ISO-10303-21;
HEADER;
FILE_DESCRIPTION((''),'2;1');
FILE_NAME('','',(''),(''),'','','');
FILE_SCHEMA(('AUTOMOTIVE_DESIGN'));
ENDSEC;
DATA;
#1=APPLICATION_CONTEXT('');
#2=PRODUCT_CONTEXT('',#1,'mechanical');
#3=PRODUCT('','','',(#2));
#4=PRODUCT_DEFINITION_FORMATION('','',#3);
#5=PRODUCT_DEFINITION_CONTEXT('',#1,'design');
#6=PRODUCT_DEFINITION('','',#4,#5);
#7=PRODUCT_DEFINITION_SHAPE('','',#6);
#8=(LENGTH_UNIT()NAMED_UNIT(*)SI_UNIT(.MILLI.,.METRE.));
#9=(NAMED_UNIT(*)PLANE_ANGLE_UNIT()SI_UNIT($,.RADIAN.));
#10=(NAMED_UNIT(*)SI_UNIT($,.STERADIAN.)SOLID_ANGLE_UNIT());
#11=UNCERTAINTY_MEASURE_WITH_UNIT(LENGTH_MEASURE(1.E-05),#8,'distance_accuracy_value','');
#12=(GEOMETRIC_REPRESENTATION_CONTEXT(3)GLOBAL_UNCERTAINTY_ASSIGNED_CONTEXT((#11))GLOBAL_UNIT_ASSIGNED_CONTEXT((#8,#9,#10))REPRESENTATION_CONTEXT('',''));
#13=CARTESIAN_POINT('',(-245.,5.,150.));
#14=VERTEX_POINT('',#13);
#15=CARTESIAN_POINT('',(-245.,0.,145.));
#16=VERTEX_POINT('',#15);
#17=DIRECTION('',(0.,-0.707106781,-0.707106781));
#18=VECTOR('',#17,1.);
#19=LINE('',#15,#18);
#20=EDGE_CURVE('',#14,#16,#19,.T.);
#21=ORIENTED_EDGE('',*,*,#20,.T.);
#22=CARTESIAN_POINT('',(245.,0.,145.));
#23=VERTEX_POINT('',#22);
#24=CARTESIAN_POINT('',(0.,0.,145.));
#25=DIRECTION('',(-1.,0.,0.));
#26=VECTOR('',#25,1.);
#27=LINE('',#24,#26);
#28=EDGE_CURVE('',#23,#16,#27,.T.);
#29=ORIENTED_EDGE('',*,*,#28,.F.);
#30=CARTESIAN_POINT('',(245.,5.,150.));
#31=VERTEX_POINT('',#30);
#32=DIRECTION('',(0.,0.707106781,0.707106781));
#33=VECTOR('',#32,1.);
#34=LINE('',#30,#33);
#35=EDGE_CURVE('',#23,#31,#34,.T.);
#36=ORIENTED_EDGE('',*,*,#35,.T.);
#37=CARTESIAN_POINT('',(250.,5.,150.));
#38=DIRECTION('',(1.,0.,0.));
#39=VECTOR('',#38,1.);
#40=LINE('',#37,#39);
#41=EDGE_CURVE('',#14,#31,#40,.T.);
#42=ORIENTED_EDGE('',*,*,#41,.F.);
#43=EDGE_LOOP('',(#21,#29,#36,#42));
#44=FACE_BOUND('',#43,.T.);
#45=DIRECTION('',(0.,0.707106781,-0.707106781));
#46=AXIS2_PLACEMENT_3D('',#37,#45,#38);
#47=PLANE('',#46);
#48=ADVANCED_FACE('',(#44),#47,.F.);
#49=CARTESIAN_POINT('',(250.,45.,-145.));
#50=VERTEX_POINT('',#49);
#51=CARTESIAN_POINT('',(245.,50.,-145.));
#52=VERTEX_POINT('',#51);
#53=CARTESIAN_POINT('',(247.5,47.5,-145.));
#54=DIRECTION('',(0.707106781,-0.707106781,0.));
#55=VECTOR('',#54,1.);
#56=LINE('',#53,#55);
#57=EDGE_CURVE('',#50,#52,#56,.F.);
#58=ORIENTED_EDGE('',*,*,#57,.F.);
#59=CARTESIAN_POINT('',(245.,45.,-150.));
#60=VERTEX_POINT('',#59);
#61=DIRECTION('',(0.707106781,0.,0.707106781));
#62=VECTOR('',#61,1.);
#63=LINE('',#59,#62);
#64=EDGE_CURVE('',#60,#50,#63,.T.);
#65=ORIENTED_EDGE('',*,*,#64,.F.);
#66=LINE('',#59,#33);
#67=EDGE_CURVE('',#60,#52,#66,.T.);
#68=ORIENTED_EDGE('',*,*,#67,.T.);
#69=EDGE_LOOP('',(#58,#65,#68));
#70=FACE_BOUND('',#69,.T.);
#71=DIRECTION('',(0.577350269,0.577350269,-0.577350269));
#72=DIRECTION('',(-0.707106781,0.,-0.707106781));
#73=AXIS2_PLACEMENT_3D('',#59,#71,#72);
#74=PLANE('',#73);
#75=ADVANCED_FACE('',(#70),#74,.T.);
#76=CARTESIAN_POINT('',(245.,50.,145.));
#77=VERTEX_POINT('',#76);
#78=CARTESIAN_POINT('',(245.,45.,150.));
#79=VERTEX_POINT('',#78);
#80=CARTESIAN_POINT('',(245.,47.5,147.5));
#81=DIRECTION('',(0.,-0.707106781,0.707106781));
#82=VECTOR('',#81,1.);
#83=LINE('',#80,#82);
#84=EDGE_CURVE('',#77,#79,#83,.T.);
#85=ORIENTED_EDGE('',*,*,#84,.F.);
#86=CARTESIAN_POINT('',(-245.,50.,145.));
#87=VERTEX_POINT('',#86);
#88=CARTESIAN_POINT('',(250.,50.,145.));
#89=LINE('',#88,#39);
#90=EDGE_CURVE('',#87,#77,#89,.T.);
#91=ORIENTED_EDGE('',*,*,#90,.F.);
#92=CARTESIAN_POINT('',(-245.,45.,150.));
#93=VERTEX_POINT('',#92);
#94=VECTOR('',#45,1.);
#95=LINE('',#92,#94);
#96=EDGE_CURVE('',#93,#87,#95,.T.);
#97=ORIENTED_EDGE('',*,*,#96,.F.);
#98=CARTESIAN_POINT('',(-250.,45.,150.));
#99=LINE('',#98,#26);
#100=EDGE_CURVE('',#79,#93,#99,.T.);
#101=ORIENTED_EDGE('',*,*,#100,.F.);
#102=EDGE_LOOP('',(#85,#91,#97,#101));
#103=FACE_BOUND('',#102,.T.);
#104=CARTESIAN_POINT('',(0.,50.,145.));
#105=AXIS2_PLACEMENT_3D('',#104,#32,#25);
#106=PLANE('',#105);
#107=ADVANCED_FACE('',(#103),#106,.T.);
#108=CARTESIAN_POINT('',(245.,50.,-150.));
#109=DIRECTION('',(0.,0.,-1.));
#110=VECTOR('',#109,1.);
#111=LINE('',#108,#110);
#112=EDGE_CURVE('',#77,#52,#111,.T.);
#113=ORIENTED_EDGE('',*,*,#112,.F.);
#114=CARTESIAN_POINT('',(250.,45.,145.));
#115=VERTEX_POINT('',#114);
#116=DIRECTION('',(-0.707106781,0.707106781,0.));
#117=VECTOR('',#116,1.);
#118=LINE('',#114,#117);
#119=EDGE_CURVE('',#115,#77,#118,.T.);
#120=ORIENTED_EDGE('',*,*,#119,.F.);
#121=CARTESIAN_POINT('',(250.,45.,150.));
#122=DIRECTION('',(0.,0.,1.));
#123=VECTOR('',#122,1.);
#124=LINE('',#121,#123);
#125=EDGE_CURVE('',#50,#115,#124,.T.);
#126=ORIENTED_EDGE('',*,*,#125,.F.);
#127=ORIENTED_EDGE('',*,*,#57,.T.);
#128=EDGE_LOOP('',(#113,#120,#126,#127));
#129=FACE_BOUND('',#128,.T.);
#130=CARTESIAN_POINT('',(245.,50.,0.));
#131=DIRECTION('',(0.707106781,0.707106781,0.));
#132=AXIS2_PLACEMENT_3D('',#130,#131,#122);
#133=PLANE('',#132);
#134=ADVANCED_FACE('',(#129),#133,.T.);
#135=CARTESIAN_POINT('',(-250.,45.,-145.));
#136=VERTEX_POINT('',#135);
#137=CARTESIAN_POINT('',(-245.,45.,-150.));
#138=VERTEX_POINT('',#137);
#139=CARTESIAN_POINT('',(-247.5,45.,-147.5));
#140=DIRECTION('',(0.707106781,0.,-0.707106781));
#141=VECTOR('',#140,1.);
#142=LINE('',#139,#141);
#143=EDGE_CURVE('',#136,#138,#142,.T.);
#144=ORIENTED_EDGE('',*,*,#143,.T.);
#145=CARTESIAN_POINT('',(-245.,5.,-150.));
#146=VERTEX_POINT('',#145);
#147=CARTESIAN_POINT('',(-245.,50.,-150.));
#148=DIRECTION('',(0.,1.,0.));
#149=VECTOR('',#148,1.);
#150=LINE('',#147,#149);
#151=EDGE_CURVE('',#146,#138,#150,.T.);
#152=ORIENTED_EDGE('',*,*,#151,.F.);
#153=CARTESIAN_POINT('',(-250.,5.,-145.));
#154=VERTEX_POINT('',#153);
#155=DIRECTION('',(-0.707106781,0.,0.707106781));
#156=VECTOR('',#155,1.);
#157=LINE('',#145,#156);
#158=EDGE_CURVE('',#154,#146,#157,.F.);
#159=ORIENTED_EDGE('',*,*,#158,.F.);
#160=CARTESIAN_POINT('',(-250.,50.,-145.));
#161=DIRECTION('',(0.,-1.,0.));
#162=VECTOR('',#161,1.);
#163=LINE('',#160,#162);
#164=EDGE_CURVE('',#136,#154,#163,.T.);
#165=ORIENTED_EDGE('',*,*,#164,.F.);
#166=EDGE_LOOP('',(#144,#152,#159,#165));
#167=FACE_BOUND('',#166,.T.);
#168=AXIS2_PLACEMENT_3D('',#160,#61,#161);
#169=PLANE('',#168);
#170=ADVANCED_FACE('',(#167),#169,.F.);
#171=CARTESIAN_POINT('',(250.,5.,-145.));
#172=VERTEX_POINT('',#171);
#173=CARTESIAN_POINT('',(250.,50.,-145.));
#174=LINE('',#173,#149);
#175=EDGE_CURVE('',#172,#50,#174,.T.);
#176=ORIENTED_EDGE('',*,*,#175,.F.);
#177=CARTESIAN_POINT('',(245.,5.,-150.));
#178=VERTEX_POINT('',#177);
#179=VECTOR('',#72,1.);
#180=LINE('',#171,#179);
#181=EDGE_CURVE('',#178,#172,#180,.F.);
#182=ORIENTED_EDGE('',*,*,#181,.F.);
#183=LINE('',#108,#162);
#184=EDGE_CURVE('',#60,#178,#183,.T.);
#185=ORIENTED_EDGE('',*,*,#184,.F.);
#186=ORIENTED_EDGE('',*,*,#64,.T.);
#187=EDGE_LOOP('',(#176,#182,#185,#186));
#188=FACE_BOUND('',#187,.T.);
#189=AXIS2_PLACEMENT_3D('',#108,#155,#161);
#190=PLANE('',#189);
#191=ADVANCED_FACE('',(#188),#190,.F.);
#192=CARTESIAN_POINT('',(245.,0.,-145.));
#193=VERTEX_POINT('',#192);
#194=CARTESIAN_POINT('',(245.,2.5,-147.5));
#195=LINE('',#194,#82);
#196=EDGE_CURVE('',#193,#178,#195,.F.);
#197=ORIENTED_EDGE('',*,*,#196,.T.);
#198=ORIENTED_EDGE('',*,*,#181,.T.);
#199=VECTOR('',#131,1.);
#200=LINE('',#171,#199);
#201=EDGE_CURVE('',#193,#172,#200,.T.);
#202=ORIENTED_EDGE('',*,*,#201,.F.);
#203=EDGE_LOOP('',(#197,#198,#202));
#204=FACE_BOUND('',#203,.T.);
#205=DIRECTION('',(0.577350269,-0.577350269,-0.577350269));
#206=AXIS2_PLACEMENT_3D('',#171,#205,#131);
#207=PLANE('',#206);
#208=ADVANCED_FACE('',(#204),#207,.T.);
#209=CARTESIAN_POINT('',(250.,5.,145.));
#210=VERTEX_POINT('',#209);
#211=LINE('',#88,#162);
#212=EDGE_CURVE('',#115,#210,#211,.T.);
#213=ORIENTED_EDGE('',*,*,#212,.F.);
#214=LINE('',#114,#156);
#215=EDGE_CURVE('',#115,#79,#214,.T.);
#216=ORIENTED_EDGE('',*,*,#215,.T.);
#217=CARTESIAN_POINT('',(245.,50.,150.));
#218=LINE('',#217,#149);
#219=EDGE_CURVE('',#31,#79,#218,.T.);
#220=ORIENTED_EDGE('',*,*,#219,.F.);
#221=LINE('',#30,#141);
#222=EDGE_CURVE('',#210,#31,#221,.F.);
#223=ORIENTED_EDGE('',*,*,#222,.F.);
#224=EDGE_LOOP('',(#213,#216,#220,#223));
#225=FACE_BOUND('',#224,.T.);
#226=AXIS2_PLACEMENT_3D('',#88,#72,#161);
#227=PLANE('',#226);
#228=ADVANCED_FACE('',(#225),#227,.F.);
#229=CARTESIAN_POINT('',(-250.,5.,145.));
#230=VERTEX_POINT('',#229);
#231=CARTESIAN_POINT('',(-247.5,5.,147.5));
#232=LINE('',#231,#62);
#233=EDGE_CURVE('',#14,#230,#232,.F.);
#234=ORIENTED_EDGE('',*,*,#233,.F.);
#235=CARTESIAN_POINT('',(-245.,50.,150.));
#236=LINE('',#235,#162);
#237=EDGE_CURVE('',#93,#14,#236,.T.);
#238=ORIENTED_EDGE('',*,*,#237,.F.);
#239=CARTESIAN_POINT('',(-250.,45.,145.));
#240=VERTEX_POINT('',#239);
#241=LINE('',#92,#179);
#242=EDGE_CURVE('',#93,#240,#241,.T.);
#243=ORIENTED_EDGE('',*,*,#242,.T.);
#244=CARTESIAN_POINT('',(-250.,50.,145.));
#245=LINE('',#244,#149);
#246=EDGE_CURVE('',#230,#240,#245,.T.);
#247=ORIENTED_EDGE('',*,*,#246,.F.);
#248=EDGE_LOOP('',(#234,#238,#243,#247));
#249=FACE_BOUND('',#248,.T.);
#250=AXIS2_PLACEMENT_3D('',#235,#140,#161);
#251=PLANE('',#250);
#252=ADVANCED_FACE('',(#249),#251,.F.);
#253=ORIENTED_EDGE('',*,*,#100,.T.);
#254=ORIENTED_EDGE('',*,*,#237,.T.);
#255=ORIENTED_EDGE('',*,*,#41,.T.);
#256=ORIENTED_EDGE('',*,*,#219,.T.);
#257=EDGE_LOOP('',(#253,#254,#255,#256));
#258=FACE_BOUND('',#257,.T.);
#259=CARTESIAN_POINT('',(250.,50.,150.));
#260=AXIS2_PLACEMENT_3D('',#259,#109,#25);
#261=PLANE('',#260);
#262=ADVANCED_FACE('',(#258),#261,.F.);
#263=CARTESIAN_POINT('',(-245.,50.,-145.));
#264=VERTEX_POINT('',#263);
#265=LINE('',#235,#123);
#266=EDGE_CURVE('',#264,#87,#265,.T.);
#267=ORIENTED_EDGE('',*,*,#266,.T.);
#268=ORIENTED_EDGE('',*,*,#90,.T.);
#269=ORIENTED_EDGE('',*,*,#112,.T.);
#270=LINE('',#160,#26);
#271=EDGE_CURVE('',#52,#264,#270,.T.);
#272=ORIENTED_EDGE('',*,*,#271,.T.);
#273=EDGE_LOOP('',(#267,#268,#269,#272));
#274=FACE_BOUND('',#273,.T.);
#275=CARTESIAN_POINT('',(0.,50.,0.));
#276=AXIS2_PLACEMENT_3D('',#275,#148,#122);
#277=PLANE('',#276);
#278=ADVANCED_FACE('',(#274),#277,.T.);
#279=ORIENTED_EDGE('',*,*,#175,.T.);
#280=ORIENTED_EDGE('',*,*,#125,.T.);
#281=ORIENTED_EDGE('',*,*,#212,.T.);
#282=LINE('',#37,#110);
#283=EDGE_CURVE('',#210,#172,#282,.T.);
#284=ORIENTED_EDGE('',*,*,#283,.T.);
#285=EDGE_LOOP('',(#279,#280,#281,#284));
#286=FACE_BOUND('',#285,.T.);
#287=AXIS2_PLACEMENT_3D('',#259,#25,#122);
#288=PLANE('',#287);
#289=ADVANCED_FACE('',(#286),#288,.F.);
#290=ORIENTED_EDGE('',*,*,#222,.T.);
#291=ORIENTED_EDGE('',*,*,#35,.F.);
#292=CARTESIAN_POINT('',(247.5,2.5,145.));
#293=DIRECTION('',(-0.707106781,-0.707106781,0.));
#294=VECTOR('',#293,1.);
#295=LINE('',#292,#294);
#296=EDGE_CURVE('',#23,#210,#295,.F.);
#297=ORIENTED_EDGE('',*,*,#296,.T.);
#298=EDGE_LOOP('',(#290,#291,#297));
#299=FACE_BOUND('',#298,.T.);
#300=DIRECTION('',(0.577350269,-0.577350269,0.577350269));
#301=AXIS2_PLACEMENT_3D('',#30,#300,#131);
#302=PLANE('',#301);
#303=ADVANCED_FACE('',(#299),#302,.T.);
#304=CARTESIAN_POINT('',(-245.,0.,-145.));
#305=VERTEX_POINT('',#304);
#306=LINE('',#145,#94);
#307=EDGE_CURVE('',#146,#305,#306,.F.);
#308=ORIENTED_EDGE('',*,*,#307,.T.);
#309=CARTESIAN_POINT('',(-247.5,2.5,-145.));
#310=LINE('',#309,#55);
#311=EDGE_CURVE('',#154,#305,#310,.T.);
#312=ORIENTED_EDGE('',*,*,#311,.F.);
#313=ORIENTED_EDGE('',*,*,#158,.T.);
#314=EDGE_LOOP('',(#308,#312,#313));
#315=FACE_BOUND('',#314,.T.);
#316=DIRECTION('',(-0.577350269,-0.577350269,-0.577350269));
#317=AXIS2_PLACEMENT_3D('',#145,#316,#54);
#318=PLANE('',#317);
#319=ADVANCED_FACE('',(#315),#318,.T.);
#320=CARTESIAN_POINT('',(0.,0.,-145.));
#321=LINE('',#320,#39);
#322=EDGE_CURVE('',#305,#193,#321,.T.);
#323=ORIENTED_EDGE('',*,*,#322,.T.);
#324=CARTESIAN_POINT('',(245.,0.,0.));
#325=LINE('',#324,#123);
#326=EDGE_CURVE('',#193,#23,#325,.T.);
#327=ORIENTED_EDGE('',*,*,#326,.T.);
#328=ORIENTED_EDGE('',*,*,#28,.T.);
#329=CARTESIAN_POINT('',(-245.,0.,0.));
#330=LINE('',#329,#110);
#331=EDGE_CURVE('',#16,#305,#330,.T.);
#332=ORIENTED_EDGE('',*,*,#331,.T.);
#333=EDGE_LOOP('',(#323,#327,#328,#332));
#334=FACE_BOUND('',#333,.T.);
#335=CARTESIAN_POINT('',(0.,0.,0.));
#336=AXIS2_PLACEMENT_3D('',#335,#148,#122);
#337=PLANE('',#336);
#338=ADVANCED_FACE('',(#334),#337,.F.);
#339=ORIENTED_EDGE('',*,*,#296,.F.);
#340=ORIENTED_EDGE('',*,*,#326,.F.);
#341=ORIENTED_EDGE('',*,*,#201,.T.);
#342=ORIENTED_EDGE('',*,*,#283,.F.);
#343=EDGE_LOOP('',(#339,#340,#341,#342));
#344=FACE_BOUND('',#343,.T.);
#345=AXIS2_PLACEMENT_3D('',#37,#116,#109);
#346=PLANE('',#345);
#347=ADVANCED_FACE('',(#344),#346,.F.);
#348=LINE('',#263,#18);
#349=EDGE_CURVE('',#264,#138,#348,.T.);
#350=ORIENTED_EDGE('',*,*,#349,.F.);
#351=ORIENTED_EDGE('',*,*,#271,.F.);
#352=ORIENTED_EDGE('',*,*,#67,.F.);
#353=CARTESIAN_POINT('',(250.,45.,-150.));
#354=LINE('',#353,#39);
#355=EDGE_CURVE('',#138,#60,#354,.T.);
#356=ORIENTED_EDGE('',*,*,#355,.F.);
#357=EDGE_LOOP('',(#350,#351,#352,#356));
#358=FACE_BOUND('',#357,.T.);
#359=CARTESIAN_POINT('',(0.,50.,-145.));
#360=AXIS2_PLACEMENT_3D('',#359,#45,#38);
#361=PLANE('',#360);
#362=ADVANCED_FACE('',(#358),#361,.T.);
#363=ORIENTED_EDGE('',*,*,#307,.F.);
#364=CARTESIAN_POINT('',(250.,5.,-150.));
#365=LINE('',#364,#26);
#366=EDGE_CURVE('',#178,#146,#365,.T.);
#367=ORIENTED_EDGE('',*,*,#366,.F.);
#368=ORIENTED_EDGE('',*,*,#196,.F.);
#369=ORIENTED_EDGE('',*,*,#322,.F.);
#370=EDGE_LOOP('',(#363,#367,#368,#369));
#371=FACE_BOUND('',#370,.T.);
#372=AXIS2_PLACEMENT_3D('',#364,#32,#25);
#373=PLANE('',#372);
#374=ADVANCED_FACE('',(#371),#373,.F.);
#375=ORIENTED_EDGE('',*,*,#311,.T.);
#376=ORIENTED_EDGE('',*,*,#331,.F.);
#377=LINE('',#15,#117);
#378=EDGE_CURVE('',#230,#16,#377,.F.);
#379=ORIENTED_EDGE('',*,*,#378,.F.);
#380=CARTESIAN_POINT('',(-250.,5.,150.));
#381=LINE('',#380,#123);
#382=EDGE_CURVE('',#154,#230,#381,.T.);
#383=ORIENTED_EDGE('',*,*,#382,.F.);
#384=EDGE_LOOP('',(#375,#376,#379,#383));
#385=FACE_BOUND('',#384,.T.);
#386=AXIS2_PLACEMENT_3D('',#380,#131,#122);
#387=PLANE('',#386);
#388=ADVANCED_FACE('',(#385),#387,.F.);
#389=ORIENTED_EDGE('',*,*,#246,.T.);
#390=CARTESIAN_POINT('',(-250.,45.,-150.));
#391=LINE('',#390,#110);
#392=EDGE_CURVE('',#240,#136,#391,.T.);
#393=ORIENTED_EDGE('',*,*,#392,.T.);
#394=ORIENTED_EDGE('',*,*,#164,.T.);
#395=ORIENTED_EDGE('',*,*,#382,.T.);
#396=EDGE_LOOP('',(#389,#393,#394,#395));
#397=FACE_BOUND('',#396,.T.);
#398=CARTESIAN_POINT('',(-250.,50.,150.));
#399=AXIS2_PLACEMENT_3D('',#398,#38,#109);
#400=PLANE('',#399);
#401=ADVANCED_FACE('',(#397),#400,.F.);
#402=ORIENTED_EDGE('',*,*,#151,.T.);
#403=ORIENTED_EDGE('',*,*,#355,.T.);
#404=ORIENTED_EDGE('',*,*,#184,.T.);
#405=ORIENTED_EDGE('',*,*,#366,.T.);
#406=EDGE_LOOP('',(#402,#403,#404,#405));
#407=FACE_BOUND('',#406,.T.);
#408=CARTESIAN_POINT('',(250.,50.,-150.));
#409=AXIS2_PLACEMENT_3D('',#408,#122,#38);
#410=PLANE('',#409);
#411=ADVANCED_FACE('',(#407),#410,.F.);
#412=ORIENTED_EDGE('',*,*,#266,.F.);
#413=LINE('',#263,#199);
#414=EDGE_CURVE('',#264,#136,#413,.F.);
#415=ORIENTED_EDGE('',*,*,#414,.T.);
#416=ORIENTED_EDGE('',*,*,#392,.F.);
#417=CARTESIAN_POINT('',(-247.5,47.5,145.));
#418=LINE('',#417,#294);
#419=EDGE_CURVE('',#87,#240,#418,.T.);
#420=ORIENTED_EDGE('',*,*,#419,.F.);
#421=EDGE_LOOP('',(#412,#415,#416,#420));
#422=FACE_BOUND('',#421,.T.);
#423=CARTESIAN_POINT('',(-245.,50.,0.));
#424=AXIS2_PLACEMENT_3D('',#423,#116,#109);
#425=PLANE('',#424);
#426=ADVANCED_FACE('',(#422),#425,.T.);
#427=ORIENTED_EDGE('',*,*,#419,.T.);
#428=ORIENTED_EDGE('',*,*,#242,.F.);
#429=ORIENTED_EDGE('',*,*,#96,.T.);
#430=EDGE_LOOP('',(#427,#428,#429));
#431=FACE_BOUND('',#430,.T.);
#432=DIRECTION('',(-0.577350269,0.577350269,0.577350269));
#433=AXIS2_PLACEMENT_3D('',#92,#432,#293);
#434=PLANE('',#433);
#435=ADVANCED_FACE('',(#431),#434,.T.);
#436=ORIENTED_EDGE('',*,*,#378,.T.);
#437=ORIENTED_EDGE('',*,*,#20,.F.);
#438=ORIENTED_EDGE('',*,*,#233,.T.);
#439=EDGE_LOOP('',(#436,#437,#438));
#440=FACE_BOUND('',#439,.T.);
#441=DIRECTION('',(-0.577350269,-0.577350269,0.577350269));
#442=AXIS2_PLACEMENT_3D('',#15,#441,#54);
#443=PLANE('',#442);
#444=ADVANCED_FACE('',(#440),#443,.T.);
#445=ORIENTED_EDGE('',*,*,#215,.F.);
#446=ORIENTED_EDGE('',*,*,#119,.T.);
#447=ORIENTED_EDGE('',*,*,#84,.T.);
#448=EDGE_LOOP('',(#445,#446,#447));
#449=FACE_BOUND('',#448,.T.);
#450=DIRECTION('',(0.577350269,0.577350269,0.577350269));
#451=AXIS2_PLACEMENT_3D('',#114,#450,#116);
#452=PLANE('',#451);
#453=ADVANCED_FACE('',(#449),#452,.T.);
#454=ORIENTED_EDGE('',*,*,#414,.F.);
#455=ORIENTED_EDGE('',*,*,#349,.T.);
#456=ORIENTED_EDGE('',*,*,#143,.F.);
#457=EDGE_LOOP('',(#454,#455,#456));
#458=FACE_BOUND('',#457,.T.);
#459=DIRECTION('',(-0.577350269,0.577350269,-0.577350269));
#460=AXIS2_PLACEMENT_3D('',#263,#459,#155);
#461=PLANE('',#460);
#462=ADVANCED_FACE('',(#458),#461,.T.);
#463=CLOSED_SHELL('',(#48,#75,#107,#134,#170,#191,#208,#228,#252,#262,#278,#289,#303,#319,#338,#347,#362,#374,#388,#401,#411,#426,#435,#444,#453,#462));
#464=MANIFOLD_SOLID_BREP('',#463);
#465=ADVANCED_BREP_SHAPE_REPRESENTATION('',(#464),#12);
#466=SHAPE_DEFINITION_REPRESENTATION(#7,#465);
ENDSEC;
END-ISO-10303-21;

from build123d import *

# Parameters (mm, degrees)
SKETCH1_W           = 500
SKETCH1_H           = 300
BOSS_EXTRUDE1_DEPTH = 50
CHAMFER1_SIZE       = 5


with BuildPart() as part:
    # Sketch1 → Boss-Extrude1 (new body)
    with BuildSketch(Plane(origin=(0, 0, 0), x_dir=(1, 0, 0), z_dir=(0, 1, 0))):
        Rectangle(SKETCH1_W, SKETCH1_H)
    extrude(amount=BOSS_EXTRUDE1_DEPTH)

    # Chamfer1
    chamfer1_edges = [part.edges().sort_by_distance(p)[0] for p in [
        (250, 50, 0),
        (0, 50, -150),
        (-250, 50, 0),
        (0, 0, -150),
        (250, 0, 0),
        (0, 0, 150),
        (-250, 0, 0),
        (-250, 25, -150),
        (250, 25, -150),
        (250, 25, 150),
        (-250, 25, 150),
        (0, 50, 150),
    ]]
    chamfer(chamfer1_edges, length=CHAMFER1_SIZE)


solid = part.part
